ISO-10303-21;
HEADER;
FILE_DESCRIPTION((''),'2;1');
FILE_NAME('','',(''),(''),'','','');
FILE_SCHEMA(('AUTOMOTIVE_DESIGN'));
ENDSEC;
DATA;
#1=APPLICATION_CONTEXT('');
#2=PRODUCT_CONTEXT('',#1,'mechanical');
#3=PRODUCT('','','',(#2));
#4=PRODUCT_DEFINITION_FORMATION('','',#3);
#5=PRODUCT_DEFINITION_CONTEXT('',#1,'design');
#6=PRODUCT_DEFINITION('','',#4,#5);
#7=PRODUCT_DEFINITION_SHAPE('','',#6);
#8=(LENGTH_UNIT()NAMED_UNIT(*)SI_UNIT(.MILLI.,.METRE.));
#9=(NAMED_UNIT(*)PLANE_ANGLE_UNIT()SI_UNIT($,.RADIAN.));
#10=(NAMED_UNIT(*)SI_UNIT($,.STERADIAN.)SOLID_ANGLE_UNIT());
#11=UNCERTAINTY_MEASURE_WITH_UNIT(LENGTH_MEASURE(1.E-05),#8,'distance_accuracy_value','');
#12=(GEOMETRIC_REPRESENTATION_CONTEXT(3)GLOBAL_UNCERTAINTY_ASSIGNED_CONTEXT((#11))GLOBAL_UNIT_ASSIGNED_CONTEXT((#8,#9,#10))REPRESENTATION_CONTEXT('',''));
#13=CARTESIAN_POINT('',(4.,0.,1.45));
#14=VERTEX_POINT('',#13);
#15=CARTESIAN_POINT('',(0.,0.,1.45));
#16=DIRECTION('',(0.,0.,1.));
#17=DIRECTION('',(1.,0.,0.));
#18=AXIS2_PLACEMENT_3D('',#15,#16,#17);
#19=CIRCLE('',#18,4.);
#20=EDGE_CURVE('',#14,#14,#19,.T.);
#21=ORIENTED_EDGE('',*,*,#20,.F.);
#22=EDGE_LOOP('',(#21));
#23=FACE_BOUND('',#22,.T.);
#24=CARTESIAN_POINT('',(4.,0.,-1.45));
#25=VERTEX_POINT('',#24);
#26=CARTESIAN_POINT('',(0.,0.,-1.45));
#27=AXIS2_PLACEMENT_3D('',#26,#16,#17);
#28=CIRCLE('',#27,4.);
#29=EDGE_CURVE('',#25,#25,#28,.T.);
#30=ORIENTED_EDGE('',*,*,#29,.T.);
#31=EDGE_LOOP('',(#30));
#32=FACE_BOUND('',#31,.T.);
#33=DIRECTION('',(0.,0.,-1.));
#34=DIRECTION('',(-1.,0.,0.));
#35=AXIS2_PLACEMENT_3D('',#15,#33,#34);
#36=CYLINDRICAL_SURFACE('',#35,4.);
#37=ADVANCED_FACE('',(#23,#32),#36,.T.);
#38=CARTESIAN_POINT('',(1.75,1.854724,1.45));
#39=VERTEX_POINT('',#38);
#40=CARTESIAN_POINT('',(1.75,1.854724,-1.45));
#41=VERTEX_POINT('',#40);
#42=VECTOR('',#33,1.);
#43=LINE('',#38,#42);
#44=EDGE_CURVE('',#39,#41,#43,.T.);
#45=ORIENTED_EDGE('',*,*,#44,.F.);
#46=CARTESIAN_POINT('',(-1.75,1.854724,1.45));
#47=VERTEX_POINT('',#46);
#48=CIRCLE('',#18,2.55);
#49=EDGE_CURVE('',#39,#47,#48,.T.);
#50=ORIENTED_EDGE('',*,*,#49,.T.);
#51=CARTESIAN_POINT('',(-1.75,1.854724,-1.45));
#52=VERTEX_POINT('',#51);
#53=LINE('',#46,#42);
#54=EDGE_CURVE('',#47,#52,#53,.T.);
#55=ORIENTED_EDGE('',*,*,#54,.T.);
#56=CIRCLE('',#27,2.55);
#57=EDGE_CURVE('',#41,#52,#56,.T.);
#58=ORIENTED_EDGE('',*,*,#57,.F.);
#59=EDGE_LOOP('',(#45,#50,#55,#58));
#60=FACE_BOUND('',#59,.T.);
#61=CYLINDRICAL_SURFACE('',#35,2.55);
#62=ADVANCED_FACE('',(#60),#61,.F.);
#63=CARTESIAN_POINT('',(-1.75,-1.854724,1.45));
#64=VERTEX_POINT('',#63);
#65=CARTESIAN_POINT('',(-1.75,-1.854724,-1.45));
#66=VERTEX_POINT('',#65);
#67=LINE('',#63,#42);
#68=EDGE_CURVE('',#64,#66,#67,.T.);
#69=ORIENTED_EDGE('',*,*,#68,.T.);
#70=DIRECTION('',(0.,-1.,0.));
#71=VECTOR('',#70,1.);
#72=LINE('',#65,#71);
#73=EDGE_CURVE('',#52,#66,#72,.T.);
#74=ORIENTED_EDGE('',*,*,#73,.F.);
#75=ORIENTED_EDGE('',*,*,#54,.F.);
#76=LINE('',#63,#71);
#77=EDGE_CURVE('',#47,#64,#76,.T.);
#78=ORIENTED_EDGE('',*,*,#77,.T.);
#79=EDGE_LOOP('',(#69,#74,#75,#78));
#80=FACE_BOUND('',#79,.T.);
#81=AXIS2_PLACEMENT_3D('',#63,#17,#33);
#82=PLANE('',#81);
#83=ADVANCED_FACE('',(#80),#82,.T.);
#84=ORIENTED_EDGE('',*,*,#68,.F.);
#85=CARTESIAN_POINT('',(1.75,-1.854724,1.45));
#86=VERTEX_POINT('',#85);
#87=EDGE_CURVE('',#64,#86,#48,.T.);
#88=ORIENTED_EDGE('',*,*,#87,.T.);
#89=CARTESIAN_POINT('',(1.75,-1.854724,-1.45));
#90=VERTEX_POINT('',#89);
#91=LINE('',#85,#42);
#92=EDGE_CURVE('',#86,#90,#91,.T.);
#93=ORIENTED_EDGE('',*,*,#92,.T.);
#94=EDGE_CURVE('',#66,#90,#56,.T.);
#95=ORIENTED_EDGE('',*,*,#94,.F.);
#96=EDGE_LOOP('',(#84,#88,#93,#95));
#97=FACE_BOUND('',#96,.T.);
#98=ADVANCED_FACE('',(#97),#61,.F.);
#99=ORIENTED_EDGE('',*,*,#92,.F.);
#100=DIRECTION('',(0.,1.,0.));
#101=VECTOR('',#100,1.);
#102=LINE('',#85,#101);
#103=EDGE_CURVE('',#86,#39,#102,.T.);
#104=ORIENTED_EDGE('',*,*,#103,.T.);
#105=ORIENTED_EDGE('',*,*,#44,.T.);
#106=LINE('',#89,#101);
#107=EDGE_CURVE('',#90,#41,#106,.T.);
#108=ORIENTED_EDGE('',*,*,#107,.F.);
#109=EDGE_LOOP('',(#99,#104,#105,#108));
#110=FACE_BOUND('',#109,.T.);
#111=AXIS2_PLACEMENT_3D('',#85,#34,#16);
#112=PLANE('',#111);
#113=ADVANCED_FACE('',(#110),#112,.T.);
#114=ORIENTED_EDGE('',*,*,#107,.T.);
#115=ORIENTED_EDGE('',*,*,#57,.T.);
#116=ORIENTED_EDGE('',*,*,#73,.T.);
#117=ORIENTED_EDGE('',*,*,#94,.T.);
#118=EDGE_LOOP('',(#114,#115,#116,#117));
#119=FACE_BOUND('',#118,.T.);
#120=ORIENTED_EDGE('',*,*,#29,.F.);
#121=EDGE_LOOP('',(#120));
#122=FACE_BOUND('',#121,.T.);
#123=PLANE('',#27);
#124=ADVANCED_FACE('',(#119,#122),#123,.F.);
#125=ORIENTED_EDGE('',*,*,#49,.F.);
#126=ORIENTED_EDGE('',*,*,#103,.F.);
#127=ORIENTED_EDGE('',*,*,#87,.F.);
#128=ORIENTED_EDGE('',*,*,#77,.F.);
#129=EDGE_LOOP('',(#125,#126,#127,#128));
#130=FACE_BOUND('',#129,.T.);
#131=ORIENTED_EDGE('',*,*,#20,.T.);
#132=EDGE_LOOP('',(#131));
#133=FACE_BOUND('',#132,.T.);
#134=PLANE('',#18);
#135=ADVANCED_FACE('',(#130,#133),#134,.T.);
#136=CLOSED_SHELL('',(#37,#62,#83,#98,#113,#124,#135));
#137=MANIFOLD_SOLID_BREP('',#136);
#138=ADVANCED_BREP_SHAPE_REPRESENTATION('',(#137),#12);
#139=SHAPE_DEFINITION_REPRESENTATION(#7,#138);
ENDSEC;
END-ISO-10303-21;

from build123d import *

# Parameters (mm, degrees)
SKETCH1_R           = 4
BOSS_EXTRUDE1_DEPTH = 1.45


with BuildPart() as part:
    # Sketch1 → Boss-Extrude1 (new, symmetric)
    with BuildSketch(Plane.XY):
        Circle(SKETCH1_R)
        with BuildLine():
            Line((1.75, -1.854723699), (1.75, 1.854723699))
            ThreePointArc((1.75, 1.854723699), (0, 2.55), (-1.75, 1.854723699))
            Line((-1.75, 1.854723699), (-1.75, -1.854723699))
            ThreePointArc((-1.75, -1.854723699), (0, -2.55), (1.75, -1.854723699))
        make_face(mode=Mode.SUBTRACT)
    extrude(amount=BOSS_EXTRUDE1_DEPTH, both=True)


solid = part.part
